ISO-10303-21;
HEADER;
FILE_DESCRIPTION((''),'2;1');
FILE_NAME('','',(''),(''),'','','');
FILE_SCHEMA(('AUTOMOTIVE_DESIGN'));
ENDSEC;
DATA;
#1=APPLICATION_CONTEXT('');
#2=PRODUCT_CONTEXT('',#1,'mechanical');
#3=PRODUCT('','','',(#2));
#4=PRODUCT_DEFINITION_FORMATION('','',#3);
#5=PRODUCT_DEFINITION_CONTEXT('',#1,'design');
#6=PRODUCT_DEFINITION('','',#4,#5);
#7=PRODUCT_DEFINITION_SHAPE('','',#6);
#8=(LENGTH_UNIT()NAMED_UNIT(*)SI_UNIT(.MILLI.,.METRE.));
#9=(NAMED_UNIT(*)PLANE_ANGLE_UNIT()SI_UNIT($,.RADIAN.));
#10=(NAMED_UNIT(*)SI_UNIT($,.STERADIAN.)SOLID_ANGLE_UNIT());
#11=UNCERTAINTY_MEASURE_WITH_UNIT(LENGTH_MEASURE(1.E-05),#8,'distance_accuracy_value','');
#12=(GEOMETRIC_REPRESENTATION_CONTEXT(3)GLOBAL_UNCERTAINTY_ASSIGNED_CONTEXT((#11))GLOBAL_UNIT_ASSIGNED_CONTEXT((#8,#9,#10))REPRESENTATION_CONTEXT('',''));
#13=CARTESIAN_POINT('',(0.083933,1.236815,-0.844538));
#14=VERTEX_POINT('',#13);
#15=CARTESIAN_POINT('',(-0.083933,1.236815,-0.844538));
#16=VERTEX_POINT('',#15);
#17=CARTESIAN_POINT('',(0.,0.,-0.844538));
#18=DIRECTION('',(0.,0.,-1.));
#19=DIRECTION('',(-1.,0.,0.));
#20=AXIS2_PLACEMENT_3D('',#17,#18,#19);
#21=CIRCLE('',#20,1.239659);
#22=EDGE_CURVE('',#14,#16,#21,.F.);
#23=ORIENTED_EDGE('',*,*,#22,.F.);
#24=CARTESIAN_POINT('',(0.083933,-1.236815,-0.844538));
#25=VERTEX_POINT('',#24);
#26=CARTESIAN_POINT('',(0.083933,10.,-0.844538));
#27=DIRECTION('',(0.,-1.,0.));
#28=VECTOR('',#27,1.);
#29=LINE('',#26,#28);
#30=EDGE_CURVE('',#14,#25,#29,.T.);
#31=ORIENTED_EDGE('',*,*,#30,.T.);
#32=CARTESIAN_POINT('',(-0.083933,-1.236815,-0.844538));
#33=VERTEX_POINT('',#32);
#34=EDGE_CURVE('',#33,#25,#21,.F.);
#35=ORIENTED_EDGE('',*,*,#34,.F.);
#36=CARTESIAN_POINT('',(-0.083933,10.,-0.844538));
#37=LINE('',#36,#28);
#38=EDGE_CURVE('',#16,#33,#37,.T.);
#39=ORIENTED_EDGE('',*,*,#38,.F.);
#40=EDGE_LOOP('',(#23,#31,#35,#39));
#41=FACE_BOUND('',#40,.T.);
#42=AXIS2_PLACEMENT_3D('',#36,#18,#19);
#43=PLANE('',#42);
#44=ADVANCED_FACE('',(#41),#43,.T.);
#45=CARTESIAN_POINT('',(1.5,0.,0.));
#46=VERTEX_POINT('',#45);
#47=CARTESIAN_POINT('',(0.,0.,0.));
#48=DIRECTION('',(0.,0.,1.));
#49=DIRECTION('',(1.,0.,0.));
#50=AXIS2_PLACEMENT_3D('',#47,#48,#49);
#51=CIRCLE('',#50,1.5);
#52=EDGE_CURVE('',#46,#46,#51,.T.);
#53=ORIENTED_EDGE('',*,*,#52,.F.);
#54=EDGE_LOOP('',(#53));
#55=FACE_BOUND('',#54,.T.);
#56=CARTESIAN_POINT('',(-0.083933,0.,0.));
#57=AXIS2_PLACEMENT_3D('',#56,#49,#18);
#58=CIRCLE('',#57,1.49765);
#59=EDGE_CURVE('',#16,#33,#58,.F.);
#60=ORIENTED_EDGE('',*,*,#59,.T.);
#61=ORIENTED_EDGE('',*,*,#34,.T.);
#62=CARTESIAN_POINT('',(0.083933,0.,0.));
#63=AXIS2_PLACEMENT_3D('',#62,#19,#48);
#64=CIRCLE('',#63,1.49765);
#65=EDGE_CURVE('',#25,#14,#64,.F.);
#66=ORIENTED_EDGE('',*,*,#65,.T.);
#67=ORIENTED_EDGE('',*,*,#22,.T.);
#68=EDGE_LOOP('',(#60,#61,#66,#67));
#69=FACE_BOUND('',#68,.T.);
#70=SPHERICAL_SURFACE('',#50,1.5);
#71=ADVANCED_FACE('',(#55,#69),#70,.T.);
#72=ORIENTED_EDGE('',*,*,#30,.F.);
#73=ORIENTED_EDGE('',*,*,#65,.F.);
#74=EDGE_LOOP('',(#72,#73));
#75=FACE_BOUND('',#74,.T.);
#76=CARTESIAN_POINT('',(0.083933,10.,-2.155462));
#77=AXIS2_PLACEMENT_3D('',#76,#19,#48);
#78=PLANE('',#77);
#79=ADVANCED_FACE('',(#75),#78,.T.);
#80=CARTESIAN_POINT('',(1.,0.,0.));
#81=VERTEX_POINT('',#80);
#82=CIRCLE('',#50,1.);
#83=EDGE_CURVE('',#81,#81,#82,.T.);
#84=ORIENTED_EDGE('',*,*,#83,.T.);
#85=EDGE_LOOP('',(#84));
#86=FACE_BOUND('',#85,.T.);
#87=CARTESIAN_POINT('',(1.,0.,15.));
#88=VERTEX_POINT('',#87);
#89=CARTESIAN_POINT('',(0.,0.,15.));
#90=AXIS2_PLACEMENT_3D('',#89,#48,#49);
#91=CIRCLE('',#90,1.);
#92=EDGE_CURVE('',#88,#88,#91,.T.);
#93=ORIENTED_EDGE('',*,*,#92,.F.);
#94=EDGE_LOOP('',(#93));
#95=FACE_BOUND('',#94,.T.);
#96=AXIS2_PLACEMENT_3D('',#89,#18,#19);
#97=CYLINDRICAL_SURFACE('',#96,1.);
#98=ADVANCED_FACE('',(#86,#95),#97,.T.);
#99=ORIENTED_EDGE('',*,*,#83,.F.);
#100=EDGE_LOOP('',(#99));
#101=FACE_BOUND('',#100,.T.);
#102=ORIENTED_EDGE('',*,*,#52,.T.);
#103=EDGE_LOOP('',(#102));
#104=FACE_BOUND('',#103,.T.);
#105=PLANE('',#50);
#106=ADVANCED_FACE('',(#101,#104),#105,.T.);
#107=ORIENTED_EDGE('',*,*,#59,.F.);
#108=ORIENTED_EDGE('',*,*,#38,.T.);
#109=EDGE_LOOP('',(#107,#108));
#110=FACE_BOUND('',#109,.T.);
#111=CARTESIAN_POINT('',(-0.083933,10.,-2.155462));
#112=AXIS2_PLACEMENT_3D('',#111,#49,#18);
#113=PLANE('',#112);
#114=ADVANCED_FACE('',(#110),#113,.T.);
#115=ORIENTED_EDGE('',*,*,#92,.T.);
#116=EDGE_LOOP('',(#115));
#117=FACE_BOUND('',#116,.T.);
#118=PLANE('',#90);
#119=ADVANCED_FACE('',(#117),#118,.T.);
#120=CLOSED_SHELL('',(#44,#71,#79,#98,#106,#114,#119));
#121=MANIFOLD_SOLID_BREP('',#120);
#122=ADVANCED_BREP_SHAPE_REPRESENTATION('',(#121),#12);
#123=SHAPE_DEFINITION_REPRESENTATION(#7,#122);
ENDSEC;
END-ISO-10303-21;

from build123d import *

# Parameters (mm, degrees)
ESQUISSE1_R                  = 1
BOSS_EXTRU_1_DEPTH           = 15
ENL_V_MAT_EXTRU_1_DEPTH      = 10
ENL_V_MAT_EXTRU_1_DEPTH_BACK = 10
ESQUISSE4_W                  = 0.167865562
ESQUISSE4_H                  = 1.310923544


with BuildPart() as part:
    # Esquisse1 → Boss.-Extru.1 (new body)
    with BuildSketch(Plane.XY):
        Circle(ESQUISSE1_R)
    extrude(amount=BOSS_EXTRU_1_DEPTH)

    # Esquisse2 → Révolution1 (revolve)
    with BuildSketch(Plane(origin=(0, 0, 0), x_dir=(1, 0, 0), z_dir=(0, 1, 0))):
        with BuildLine():
            Line((0, 0), (0, 1.5))
            ThreePointArc((0, 1.5), (1.060660172, 1.060660172), (1.5, 0))
            Line((1.5, 0), (0, 0))
        make_face()
    revolve(axis=Axis((0, 0, 0), (0, 0, -1)))

    # Esquisse4 → Enlèv. mat.-Extru.1 (cut, two sides: drawn at the far end of the back side and taken through both)
    with BuildSketch(Plane(origin=(0, 0, 0), x_dir=(1, 0, 0), z_dir=(0, 1, 0)).offset(-ENL_V_MAT_EXTRU_1_DEPTH_BACK)):
        with Locations((0, 1.5)):
            Rectangle(ESQUISSE4_W, ESQUISSE4_H)
    extrude(amount=ENL_V_MAT_EXTRU_1_DEPTH + ENL_V_MAT_EXTRU_1_DEPTH_BACK, mode=Mode.SUBTRACT)


solid = part.part
